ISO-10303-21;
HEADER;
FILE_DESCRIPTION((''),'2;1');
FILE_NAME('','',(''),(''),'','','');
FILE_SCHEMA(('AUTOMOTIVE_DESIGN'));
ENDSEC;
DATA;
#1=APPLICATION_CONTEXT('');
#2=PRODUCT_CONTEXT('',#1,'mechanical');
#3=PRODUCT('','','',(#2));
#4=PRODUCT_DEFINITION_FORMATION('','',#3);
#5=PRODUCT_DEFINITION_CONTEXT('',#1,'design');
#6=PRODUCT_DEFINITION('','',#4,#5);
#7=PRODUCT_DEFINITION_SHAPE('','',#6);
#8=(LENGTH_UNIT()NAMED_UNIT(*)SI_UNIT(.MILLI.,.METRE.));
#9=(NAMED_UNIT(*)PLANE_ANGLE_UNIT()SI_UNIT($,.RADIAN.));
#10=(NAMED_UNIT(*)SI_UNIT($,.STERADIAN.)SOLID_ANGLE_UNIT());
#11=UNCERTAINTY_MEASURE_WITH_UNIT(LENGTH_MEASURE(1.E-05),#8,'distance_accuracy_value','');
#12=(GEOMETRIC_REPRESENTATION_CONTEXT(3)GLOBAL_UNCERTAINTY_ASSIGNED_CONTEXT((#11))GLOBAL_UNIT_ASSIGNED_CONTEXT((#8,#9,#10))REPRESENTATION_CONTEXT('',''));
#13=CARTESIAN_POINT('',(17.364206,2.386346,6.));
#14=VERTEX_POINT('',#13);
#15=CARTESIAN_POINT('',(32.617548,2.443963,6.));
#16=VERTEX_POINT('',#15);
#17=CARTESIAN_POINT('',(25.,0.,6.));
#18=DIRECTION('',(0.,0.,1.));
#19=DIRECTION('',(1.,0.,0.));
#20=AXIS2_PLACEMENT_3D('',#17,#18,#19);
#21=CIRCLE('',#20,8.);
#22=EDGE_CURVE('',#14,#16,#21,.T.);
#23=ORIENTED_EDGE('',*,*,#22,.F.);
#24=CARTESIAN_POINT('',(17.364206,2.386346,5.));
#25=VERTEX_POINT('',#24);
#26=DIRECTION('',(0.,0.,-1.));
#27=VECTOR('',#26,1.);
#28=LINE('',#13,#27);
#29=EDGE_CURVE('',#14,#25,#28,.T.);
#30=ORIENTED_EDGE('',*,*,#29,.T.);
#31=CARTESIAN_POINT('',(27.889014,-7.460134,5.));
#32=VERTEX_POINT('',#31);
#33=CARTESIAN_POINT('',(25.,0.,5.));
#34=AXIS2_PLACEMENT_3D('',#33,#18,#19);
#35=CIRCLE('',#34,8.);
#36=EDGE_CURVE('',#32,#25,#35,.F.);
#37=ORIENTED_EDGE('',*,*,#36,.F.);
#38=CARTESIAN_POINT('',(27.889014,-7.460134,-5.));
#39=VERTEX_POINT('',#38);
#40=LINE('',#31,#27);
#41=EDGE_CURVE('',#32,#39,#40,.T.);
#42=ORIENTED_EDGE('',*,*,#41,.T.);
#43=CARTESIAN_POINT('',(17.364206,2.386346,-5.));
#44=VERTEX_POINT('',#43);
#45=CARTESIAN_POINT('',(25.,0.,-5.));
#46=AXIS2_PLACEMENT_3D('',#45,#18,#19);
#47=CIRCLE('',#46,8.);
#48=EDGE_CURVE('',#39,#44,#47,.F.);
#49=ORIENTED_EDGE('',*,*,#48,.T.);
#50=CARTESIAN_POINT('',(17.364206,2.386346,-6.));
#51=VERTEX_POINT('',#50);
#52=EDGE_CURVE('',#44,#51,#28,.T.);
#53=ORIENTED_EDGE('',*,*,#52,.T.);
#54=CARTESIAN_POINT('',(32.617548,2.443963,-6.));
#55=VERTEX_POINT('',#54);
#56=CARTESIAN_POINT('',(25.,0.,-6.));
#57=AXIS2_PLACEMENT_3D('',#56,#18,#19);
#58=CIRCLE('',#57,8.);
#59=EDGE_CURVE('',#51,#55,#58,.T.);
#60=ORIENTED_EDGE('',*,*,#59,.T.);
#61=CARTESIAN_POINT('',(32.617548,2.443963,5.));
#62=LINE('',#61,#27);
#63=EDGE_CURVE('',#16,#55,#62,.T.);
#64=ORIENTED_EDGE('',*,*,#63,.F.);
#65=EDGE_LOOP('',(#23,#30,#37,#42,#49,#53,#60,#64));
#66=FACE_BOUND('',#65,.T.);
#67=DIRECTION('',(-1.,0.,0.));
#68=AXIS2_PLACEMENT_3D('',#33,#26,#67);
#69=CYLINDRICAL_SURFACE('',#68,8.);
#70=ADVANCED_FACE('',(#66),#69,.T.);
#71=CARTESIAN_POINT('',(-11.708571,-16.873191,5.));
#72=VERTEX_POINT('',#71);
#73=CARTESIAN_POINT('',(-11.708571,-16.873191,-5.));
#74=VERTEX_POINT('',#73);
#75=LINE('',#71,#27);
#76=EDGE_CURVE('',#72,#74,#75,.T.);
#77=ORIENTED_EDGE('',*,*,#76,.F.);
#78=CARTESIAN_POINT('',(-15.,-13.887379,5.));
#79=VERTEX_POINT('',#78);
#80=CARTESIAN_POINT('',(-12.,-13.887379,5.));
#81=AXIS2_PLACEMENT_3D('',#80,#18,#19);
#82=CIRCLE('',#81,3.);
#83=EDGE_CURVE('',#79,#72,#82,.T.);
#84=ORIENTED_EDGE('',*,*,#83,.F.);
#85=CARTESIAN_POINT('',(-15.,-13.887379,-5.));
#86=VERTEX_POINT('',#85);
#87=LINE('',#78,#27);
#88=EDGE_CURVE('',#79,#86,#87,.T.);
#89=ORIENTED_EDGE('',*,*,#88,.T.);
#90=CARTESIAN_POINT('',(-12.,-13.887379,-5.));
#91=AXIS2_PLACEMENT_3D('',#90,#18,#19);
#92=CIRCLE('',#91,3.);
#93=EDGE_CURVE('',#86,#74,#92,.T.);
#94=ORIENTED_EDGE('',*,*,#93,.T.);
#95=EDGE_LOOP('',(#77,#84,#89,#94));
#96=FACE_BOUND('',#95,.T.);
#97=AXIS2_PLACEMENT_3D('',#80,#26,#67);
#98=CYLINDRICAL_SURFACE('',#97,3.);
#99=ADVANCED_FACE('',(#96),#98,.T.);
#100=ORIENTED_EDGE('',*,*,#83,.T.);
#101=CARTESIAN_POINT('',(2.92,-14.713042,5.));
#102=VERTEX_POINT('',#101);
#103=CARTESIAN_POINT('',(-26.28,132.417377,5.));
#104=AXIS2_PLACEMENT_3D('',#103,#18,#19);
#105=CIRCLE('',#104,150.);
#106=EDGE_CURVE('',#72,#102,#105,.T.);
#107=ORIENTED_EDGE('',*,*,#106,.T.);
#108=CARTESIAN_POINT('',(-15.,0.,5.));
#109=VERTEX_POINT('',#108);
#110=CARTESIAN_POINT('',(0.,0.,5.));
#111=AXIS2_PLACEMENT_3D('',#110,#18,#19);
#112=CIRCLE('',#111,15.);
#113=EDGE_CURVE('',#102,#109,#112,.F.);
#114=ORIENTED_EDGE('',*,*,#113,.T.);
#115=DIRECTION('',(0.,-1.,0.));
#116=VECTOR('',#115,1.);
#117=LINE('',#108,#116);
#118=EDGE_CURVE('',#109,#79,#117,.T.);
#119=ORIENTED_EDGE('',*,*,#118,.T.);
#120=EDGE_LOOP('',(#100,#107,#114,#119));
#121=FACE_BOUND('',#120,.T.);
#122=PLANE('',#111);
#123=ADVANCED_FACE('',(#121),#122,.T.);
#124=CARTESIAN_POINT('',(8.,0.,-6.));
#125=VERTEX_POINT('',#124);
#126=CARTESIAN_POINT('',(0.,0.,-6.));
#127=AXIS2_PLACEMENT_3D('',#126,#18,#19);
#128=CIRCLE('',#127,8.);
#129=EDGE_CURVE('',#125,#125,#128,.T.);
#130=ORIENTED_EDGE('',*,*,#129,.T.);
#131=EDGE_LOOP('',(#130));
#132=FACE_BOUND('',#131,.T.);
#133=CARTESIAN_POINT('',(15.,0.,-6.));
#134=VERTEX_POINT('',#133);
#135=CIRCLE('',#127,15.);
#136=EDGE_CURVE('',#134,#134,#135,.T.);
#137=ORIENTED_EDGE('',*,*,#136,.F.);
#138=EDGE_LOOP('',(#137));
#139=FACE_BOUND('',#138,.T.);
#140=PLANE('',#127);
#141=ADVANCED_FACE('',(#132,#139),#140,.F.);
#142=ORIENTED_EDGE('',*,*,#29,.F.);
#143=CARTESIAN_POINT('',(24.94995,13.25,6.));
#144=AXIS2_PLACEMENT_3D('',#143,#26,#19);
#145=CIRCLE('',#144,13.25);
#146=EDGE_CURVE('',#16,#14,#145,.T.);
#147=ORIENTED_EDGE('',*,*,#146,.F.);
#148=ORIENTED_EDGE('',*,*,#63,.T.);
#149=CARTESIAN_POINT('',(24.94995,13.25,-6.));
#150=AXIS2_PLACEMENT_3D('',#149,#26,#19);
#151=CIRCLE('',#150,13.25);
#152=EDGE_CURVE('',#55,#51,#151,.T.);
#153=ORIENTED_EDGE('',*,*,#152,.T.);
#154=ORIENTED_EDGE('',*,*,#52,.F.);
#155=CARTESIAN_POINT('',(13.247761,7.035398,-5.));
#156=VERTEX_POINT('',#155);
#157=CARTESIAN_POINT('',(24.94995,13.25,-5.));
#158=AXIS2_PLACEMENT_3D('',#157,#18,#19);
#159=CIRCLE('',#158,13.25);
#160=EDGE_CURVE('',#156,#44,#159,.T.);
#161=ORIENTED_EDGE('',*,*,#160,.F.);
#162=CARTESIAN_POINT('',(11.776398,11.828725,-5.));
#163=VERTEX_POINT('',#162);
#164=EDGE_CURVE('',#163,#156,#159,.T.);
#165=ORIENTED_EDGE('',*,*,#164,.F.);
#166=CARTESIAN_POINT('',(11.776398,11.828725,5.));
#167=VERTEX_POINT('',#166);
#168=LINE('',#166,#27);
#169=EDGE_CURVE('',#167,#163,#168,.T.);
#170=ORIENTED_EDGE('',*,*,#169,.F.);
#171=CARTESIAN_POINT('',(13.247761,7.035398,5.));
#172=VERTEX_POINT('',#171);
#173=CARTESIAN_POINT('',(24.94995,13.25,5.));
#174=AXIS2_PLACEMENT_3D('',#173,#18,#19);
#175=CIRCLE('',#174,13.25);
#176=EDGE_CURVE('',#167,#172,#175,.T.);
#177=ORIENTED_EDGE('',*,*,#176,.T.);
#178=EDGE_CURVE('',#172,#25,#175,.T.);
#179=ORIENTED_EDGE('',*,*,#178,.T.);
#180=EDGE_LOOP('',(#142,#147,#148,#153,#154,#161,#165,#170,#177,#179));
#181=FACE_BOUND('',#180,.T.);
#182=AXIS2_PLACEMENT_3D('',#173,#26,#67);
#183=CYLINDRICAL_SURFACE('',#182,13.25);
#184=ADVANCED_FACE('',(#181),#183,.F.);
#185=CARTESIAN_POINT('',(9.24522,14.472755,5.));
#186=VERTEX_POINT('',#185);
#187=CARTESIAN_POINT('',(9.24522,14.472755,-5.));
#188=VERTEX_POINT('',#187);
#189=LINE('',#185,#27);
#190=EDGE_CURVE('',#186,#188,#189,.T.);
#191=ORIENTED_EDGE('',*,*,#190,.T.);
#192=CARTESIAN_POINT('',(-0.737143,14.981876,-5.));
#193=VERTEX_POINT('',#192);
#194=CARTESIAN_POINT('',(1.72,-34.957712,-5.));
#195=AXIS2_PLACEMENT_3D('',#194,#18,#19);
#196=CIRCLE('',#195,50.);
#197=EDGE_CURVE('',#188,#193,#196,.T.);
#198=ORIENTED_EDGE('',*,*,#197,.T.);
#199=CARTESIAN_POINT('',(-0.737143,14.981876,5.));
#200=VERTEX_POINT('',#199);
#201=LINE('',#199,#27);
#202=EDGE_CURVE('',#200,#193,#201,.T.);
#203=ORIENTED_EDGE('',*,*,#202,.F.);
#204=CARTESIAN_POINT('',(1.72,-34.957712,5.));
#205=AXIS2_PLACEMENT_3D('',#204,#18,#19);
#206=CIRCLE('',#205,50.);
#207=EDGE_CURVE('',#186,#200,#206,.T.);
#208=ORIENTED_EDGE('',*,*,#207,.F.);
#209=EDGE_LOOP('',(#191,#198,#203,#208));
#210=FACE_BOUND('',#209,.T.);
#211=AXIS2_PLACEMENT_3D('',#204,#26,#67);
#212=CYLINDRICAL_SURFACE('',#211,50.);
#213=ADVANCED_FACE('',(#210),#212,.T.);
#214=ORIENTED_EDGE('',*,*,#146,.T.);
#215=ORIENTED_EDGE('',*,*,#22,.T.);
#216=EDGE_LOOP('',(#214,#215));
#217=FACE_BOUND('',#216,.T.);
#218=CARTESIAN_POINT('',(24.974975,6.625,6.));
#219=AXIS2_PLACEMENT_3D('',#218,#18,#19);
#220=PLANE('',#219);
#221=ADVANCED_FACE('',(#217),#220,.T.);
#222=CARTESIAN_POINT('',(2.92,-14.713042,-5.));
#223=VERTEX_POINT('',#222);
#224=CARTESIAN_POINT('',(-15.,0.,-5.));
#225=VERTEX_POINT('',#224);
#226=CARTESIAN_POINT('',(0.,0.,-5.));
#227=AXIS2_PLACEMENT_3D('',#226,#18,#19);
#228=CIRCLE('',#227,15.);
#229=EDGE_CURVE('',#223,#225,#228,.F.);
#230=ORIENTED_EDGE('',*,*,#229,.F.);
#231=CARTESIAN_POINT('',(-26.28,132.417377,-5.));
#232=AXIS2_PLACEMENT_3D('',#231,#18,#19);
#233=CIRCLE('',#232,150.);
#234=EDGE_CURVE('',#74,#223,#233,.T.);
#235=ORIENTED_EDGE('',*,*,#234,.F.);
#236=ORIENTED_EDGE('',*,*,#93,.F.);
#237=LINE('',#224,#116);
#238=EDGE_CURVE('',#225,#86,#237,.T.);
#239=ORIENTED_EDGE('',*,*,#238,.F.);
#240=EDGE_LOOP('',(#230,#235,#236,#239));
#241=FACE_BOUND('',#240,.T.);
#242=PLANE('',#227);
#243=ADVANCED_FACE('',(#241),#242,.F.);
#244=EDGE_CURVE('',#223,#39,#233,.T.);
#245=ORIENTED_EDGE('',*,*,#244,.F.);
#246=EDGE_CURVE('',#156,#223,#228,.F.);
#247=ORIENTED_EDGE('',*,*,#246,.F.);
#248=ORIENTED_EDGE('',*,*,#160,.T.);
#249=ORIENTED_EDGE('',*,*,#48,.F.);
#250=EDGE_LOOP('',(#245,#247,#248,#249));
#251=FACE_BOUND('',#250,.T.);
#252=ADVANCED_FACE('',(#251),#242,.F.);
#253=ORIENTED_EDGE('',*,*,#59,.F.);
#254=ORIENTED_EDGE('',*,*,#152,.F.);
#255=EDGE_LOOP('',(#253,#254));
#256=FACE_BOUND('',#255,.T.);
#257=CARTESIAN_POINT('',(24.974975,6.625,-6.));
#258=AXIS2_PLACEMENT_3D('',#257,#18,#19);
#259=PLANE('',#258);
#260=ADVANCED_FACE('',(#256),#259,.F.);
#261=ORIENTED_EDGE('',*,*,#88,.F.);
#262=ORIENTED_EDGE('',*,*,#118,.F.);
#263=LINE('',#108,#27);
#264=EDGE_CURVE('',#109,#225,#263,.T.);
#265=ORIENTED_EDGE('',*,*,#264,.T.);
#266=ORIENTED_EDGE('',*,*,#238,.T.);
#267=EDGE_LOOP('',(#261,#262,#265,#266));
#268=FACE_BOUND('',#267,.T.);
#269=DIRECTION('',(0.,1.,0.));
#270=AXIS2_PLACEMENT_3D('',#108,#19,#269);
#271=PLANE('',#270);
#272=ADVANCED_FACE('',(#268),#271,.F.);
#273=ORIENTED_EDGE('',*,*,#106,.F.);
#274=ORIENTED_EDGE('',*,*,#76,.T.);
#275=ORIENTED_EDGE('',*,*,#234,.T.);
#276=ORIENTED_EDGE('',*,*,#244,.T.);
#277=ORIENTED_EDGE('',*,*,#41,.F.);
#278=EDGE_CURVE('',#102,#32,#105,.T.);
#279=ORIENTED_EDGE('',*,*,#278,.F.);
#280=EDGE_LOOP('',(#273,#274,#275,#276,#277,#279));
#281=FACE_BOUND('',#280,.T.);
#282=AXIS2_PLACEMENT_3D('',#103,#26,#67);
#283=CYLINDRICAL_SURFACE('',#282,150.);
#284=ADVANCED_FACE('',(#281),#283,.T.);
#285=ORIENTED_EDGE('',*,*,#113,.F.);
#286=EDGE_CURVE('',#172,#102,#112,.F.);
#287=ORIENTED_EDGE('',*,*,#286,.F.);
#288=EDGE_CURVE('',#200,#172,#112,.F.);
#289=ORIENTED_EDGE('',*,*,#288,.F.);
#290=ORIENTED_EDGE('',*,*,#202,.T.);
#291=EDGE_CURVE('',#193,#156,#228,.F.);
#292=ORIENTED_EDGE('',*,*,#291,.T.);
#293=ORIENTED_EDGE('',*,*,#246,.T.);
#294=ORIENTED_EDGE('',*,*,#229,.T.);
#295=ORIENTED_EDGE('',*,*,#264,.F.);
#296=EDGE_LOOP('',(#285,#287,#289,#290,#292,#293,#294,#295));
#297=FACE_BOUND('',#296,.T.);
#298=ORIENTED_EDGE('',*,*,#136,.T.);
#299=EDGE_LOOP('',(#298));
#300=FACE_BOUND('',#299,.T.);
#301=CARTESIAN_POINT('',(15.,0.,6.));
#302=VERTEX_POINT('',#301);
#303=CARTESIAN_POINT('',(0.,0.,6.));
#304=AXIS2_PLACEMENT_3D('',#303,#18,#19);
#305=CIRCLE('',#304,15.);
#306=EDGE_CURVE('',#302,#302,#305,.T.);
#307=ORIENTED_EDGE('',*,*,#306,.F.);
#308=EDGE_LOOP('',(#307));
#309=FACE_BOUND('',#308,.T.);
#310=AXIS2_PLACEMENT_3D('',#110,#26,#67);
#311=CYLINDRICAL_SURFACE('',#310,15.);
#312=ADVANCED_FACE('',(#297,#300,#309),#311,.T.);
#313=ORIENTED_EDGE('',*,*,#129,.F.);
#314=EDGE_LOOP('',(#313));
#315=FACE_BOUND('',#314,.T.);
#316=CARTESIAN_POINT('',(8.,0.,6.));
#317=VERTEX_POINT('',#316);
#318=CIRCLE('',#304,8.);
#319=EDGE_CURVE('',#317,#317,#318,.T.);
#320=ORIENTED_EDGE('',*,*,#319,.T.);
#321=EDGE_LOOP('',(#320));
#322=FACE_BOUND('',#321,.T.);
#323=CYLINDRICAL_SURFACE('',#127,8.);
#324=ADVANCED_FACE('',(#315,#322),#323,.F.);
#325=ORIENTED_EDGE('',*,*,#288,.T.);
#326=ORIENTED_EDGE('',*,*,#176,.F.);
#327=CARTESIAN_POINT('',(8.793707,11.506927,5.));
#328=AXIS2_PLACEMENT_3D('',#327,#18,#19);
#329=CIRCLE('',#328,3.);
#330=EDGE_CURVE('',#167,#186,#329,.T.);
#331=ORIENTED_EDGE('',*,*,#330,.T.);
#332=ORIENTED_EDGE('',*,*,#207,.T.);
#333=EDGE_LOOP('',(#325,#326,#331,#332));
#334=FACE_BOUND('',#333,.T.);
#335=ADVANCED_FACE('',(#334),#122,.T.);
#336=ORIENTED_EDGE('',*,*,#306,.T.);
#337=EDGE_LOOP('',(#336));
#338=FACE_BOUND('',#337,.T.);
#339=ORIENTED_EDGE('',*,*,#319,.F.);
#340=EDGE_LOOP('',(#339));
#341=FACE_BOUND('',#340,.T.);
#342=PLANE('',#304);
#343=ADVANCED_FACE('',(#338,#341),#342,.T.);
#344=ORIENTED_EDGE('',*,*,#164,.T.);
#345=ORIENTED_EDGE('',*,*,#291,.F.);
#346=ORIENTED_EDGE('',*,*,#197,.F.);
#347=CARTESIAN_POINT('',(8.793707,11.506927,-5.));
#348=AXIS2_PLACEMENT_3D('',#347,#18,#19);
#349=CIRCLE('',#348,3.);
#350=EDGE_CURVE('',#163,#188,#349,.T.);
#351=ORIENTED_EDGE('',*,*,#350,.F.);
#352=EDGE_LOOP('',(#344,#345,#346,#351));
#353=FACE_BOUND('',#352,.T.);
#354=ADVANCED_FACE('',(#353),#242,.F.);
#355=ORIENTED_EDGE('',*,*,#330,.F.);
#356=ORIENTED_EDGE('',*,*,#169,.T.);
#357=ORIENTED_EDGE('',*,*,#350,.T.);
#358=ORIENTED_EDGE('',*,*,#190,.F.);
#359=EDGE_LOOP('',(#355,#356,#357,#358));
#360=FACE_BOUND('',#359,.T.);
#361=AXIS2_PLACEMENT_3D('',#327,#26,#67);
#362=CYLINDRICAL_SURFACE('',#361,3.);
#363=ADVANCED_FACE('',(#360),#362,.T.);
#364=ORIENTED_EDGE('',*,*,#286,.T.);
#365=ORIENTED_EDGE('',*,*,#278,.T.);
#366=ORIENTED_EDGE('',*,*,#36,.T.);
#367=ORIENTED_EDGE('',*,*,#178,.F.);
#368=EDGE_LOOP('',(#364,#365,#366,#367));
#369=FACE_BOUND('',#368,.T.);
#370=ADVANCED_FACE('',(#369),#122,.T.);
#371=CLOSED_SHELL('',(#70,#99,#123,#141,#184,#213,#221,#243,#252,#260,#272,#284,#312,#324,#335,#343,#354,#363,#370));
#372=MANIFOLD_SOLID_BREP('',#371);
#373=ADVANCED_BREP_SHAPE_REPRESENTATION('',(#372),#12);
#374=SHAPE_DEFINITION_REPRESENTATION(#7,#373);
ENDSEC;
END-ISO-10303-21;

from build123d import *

# Parameters (mm, degrees)
EXTRUDE_1_DEPTH     = 5
EXTRUDE_2_DEPTH     = 6
EXTRUDE_3_DEPTH     = 6
SKETCH_4_R          = 8
CUT_EXTRUDE_1_DEPTH = 39.963875359


with BuildPart() as part:
    # 草图1 → 凸台-拉伸1 (new, symmetric)
    with BuildSketch(Plane.XY):
        with BuildLine():
            ThreePointArc((17.364205719, 2.386345678), (19.534538398, -5.841979928), (27.889014085, -7.460133888))
            ThreePointArc((27.889014085, -7.460133888), (32.219400839, -3.446774076), (32.617548437, 2.443963137))
            ThreePointArc((32.617548437, 2.443963137), (24.999999643, 9.4528e-05), (17.364205719, 2.386345678))
        make_face()
        with BuildLine():
            ThreePointArc((-0.737142857, 14.981876398), (-10.864095518, 10.342699288), (-15, 0))
            Line((-15, 0), (-15, -13.8873794))
            ThreePointArc((-15, -13.8873794), (-14.015653031, -16.10934764), (-11.708571429, -16.873190745))
            ThreePointArc((-11.708571429, -16.873190745), (8.410971794, -13.51595237), (27.889014085, -7.460133888))
            ThreePointArc((27.889014085, -7.460133888), (19.534538398, -5.841979928), (17.364205719, 2.386345678))
            ThreePointArc((17.364205719, 2.386345678), (13.547023493, 6.501980338), (11.776397664, 11.828725402))
            ThreePointArc((11.776397664, 11.828725402), (10.960769899, 13.5814964), (9.245219778, 14.472755399))
            ThreePointArc((9.245219778, 14.472755399), (4.266792486, 14.97738476), (-0.737142857, 14.981876398))
        make_face()
    extrude(amount=EXTRUDE_1_DEPTH, both=True)

    # 草图2 → 凸台-拉伸2 (add, symmetric)
    with BuildSketch(Plane.XY):
        with BuildLine():
            ThreePointArc((-15, 0), (3.625161022, -14.555349792), (13.247761009, 7.03539823))
            ThreePointArc((13.247761009, 7.03539823), (7.410500688, 13.041644051), (-0.737142857, 14.981876398))
            ThreePointArc((-0.737142857, 14.981876398), (-10.864095518, 10.342699288), (-15, 0))
        make_face()
    extrude(amount=EXTRUDE_2_DEPTH, both=True)

    # 草图3 → 凸台-拉伸3 (add, symmetric)
    with BuildSketch(Plane.XY):
        with BuildLine():
            ThreePointArc((17.364205719, 2.386345678), (25.030218713, -7.999942927), (32.617548437, 2.443963137))
            ThreePointArc((32.617548437, 2.443963137), (24.999999643, 9.4528e-05), (17.364205719, 2.386345678))
        make_face()
    extrude(amount=EXTRUDE_3_DEPTH, both=True)

    # 草图4 → 切除-拉伸1 (cut, through all)
    with BuildSketch(Plane.XY.offset(6)):
        Circle(SKETCH_4_R)
    extrude(amount=-CUT_EXTRUDE_1_DEPTH, mode=Mode.SUBTRACT)


solid = part.part
